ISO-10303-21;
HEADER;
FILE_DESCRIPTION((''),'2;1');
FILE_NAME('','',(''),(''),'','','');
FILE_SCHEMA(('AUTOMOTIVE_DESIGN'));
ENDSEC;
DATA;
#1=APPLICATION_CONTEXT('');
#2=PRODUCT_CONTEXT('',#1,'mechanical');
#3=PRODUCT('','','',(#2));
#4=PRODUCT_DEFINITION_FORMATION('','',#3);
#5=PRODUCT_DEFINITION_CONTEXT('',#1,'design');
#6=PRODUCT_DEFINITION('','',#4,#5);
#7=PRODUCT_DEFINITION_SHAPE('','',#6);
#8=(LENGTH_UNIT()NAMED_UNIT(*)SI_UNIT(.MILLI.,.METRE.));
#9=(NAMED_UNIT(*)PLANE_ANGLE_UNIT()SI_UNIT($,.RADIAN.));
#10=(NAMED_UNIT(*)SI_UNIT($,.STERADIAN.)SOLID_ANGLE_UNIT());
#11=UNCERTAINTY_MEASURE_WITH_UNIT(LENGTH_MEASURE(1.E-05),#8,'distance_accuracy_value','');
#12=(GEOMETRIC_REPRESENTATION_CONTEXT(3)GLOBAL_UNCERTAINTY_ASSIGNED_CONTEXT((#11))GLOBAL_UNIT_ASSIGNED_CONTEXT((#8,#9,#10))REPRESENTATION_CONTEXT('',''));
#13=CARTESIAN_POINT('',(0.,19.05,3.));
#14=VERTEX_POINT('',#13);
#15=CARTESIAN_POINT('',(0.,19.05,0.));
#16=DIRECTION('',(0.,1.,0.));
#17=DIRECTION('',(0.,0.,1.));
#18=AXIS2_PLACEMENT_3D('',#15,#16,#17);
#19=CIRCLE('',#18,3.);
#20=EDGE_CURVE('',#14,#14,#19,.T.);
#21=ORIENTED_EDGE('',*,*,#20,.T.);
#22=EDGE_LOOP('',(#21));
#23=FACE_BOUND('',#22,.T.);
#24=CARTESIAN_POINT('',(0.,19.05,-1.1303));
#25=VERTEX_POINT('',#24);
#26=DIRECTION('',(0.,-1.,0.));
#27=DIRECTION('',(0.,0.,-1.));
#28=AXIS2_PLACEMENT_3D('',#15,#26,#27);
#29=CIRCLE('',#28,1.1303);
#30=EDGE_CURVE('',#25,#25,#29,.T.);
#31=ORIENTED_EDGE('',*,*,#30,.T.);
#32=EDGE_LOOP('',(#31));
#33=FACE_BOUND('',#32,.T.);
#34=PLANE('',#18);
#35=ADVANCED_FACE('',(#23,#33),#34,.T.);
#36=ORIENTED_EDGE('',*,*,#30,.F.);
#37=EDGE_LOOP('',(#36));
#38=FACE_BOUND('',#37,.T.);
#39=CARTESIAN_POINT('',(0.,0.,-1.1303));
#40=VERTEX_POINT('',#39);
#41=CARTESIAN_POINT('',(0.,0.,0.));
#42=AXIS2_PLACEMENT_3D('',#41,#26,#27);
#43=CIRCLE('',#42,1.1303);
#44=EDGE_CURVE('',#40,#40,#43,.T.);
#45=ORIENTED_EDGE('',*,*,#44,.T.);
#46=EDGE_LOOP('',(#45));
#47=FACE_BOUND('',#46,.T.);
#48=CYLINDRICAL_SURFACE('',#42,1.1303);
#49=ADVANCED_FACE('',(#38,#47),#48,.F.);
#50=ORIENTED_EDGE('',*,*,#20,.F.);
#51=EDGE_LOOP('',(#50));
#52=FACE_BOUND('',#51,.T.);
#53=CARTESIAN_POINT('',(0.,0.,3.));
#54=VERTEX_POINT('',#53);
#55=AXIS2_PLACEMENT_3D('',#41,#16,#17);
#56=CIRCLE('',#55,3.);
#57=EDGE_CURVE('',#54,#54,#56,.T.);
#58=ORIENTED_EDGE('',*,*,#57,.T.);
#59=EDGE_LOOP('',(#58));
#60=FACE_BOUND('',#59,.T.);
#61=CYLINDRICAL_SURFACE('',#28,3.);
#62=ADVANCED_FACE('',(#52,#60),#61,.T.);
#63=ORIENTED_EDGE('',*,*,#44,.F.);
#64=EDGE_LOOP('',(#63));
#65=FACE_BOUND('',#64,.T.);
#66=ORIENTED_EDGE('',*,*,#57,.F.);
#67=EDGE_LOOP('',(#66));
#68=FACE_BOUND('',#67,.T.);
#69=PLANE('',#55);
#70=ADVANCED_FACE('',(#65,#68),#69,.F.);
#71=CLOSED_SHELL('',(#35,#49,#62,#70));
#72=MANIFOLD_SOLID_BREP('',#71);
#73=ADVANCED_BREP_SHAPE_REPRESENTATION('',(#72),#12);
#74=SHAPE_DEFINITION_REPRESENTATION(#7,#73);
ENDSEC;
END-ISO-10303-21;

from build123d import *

# Parameters (mm, degrees)
SKETCH1_R             = 3
BOSS_EXTRUDE1_DEPTH   = 19.05
F_4_40_TAPPED_HOLE1_D = 2.2606


with BuildPart() as part:
    # Sketch1 → Boss-Extrude1 (new body)
    with BuildSketch(Plane(origin=(0, 0, 0), x_dir=(1, 0, 0), z_dir=(0, 1, 0))):
        Circle(SKETCH1_R)
    extrude(amount=BOSS_EXTRUDE1_DEPTH)

    # #4-40 Tapped Hole1 (through all)
    with Locations(Plane(origin=(0, 0, 0), x_dir=(-1, 0, 0), z_dir=(0, -1, 0))):
        with Locations((0, 0)):
            Hole(F_4_40_TAPPED_HOLE1_D / 2)


solid = part.part
